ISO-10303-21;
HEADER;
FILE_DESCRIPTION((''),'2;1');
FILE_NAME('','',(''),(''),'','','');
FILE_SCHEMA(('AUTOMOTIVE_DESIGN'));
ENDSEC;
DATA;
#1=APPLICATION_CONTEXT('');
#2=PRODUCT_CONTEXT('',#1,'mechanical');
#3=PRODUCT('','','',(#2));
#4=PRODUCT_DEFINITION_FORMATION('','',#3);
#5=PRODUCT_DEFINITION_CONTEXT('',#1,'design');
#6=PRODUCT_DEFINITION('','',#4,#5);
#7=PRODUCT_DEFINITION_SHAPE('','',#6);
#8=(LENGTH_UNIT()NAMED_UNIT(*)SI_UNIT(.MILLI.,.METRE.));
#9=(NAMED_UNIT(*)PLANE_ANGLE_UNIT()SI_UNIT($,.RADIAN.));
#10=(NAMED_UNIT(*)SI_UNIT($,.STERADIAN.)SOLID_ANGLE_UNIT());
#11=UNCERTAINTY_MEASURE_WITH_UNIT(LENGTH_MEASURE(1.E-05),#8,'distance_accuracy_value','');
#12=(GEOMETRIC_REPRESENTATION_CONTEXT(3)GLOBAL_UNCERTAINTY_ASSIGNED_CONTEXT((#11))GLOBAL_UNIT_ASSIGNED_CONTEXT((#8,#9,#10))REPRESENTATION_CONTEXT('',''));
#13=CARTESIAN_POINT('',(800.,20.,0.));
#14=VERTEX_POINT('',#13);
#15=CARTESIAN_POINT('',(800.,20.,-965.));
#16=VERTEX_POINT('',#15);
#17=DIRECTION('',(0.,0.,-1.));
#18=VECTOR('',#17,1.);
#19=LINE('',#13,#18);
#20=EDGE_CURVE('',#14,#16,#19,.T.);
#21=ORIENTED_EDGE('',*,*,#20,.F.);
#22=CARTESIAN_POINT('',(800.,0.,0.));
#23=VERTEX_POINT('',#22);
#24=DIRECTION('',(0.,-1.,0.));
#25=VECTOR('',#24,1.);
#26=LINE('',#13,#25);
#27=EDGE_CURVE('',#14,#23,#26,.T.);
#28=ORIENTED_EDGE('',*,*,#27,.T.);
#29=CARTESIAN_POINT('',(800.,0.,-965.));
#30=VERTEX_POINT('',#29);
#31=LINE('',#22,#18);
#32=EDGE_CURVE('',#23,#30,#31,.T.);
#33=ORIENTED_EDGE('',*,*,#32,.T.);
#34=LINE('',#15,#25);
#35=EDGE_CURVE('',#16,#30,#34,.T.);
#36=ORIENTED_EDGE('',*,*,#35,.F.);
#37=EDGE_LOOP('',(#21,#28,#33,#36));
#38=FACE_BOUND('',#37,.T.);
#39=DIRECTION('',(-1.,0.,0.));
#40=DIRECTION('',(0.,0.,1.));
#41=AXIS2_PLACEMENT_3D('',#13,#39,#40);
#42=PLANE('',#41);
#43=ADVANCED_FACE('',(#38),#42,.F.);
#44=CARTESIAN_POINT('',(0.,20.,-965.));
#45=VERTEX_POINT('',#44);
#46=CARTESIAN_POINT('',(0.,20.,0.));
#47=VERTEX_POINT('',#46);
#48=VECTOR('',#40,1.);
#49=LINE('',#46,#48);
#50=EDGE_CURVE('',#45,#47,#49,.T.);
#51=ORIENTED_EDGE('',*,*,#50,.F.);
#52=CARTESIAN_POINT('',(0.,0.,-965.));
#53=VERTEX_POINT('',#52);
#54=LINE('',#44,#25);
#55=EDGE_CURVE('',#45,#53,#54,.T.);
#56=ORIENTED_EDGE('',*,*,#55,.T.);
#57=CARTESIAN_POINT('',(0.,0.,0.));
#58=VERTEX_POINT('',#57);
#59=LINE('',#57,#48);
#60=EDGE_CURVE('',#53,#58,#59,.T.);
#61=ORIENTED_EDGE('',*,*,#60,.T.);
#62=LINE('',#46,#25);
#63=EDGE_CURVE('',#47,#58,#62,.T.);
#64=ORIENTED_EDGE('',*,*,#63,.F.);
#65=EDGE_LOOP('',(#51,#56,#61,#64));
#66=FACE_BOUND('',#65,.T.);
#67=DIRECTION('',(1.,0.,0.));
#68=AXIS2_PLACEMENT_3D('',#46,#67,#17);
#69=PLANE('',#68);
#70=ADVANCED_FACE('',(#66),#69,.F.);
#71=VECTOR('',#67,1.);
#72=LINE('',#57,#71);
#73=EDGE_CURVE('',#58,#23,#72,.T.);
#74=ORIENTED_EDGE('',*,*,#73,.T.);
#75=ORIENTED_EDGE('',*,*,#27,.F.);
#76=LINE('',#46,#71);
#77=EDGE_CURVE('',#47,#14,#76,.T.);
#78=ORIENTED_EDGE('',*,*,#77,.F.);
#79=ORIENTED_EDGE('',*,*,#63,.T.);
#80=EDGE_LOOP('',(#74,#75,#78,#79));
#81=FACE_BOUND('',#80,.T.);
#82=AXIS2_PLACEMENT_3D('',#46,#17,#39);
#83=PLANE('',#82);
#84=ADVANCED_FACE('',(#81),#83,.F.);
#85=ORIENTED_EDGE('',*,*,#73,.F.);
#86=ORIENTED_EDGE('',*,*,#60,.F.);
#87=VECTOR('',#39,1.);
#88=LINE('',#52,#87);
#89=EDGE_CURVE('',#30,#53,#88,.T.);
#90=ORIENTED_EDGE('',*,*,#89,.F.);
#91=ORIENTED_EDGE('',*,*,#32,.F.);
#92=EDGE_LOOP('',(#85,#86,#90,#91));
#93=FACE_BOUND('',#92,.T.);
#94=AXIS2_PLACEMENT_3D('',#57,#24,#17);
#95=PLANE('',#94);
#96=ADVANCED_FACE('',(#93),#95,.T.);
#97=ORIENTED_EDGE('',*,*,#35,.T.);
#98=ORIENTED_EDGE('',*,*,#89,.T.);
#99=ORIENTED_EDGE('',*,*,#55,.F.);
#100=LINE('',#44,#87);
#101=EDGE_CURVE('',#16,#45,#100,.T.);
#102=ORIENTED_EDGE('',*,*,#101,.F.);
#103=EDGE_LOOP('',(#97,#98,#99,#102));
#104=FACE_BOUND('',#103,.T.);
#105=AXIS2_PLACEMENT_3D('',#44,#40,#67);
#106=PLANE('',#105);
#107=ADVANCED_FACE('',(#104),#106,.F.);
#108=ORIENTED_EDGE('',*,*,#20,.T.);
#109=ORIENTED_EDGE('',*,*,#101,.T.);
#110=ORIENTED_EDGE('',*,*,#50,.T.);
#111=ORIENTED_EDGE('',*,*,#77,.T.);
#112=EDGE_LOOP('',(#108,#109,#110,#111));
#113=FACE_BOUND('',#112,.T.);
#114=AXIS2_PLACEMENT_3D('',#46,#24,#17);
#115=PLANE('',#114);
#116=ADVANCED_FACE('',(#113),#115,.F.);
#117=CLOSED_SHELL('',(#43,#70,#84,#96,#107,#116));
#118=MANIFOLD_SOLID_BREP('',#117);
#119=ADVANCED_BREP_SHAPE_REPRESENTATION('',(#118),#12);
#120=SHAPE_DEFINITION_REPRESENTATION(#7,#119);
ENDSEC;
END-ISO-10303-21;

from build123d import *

# Parameters (mm, degrees)
SKETCH_1_W      = 800
SKETCH_1_H      = 965
EXTRUDE_1_DEPTH = 20


with BuildPart() as part:
    # 草图1 → 凸台-拉伸1 (new body)
    with BuildSketch(Plane(origin=(0, 0, 0), x_dir=(1, 0, 0), z_dir=(0, 1, 0))):
        with Locations((400, 482.5)):
            Rectangle(SKETCH_1_W, SKETCH_1_H)
    extrude(amount=EXTRUDE_1_DEPTH)


solid = part.part
